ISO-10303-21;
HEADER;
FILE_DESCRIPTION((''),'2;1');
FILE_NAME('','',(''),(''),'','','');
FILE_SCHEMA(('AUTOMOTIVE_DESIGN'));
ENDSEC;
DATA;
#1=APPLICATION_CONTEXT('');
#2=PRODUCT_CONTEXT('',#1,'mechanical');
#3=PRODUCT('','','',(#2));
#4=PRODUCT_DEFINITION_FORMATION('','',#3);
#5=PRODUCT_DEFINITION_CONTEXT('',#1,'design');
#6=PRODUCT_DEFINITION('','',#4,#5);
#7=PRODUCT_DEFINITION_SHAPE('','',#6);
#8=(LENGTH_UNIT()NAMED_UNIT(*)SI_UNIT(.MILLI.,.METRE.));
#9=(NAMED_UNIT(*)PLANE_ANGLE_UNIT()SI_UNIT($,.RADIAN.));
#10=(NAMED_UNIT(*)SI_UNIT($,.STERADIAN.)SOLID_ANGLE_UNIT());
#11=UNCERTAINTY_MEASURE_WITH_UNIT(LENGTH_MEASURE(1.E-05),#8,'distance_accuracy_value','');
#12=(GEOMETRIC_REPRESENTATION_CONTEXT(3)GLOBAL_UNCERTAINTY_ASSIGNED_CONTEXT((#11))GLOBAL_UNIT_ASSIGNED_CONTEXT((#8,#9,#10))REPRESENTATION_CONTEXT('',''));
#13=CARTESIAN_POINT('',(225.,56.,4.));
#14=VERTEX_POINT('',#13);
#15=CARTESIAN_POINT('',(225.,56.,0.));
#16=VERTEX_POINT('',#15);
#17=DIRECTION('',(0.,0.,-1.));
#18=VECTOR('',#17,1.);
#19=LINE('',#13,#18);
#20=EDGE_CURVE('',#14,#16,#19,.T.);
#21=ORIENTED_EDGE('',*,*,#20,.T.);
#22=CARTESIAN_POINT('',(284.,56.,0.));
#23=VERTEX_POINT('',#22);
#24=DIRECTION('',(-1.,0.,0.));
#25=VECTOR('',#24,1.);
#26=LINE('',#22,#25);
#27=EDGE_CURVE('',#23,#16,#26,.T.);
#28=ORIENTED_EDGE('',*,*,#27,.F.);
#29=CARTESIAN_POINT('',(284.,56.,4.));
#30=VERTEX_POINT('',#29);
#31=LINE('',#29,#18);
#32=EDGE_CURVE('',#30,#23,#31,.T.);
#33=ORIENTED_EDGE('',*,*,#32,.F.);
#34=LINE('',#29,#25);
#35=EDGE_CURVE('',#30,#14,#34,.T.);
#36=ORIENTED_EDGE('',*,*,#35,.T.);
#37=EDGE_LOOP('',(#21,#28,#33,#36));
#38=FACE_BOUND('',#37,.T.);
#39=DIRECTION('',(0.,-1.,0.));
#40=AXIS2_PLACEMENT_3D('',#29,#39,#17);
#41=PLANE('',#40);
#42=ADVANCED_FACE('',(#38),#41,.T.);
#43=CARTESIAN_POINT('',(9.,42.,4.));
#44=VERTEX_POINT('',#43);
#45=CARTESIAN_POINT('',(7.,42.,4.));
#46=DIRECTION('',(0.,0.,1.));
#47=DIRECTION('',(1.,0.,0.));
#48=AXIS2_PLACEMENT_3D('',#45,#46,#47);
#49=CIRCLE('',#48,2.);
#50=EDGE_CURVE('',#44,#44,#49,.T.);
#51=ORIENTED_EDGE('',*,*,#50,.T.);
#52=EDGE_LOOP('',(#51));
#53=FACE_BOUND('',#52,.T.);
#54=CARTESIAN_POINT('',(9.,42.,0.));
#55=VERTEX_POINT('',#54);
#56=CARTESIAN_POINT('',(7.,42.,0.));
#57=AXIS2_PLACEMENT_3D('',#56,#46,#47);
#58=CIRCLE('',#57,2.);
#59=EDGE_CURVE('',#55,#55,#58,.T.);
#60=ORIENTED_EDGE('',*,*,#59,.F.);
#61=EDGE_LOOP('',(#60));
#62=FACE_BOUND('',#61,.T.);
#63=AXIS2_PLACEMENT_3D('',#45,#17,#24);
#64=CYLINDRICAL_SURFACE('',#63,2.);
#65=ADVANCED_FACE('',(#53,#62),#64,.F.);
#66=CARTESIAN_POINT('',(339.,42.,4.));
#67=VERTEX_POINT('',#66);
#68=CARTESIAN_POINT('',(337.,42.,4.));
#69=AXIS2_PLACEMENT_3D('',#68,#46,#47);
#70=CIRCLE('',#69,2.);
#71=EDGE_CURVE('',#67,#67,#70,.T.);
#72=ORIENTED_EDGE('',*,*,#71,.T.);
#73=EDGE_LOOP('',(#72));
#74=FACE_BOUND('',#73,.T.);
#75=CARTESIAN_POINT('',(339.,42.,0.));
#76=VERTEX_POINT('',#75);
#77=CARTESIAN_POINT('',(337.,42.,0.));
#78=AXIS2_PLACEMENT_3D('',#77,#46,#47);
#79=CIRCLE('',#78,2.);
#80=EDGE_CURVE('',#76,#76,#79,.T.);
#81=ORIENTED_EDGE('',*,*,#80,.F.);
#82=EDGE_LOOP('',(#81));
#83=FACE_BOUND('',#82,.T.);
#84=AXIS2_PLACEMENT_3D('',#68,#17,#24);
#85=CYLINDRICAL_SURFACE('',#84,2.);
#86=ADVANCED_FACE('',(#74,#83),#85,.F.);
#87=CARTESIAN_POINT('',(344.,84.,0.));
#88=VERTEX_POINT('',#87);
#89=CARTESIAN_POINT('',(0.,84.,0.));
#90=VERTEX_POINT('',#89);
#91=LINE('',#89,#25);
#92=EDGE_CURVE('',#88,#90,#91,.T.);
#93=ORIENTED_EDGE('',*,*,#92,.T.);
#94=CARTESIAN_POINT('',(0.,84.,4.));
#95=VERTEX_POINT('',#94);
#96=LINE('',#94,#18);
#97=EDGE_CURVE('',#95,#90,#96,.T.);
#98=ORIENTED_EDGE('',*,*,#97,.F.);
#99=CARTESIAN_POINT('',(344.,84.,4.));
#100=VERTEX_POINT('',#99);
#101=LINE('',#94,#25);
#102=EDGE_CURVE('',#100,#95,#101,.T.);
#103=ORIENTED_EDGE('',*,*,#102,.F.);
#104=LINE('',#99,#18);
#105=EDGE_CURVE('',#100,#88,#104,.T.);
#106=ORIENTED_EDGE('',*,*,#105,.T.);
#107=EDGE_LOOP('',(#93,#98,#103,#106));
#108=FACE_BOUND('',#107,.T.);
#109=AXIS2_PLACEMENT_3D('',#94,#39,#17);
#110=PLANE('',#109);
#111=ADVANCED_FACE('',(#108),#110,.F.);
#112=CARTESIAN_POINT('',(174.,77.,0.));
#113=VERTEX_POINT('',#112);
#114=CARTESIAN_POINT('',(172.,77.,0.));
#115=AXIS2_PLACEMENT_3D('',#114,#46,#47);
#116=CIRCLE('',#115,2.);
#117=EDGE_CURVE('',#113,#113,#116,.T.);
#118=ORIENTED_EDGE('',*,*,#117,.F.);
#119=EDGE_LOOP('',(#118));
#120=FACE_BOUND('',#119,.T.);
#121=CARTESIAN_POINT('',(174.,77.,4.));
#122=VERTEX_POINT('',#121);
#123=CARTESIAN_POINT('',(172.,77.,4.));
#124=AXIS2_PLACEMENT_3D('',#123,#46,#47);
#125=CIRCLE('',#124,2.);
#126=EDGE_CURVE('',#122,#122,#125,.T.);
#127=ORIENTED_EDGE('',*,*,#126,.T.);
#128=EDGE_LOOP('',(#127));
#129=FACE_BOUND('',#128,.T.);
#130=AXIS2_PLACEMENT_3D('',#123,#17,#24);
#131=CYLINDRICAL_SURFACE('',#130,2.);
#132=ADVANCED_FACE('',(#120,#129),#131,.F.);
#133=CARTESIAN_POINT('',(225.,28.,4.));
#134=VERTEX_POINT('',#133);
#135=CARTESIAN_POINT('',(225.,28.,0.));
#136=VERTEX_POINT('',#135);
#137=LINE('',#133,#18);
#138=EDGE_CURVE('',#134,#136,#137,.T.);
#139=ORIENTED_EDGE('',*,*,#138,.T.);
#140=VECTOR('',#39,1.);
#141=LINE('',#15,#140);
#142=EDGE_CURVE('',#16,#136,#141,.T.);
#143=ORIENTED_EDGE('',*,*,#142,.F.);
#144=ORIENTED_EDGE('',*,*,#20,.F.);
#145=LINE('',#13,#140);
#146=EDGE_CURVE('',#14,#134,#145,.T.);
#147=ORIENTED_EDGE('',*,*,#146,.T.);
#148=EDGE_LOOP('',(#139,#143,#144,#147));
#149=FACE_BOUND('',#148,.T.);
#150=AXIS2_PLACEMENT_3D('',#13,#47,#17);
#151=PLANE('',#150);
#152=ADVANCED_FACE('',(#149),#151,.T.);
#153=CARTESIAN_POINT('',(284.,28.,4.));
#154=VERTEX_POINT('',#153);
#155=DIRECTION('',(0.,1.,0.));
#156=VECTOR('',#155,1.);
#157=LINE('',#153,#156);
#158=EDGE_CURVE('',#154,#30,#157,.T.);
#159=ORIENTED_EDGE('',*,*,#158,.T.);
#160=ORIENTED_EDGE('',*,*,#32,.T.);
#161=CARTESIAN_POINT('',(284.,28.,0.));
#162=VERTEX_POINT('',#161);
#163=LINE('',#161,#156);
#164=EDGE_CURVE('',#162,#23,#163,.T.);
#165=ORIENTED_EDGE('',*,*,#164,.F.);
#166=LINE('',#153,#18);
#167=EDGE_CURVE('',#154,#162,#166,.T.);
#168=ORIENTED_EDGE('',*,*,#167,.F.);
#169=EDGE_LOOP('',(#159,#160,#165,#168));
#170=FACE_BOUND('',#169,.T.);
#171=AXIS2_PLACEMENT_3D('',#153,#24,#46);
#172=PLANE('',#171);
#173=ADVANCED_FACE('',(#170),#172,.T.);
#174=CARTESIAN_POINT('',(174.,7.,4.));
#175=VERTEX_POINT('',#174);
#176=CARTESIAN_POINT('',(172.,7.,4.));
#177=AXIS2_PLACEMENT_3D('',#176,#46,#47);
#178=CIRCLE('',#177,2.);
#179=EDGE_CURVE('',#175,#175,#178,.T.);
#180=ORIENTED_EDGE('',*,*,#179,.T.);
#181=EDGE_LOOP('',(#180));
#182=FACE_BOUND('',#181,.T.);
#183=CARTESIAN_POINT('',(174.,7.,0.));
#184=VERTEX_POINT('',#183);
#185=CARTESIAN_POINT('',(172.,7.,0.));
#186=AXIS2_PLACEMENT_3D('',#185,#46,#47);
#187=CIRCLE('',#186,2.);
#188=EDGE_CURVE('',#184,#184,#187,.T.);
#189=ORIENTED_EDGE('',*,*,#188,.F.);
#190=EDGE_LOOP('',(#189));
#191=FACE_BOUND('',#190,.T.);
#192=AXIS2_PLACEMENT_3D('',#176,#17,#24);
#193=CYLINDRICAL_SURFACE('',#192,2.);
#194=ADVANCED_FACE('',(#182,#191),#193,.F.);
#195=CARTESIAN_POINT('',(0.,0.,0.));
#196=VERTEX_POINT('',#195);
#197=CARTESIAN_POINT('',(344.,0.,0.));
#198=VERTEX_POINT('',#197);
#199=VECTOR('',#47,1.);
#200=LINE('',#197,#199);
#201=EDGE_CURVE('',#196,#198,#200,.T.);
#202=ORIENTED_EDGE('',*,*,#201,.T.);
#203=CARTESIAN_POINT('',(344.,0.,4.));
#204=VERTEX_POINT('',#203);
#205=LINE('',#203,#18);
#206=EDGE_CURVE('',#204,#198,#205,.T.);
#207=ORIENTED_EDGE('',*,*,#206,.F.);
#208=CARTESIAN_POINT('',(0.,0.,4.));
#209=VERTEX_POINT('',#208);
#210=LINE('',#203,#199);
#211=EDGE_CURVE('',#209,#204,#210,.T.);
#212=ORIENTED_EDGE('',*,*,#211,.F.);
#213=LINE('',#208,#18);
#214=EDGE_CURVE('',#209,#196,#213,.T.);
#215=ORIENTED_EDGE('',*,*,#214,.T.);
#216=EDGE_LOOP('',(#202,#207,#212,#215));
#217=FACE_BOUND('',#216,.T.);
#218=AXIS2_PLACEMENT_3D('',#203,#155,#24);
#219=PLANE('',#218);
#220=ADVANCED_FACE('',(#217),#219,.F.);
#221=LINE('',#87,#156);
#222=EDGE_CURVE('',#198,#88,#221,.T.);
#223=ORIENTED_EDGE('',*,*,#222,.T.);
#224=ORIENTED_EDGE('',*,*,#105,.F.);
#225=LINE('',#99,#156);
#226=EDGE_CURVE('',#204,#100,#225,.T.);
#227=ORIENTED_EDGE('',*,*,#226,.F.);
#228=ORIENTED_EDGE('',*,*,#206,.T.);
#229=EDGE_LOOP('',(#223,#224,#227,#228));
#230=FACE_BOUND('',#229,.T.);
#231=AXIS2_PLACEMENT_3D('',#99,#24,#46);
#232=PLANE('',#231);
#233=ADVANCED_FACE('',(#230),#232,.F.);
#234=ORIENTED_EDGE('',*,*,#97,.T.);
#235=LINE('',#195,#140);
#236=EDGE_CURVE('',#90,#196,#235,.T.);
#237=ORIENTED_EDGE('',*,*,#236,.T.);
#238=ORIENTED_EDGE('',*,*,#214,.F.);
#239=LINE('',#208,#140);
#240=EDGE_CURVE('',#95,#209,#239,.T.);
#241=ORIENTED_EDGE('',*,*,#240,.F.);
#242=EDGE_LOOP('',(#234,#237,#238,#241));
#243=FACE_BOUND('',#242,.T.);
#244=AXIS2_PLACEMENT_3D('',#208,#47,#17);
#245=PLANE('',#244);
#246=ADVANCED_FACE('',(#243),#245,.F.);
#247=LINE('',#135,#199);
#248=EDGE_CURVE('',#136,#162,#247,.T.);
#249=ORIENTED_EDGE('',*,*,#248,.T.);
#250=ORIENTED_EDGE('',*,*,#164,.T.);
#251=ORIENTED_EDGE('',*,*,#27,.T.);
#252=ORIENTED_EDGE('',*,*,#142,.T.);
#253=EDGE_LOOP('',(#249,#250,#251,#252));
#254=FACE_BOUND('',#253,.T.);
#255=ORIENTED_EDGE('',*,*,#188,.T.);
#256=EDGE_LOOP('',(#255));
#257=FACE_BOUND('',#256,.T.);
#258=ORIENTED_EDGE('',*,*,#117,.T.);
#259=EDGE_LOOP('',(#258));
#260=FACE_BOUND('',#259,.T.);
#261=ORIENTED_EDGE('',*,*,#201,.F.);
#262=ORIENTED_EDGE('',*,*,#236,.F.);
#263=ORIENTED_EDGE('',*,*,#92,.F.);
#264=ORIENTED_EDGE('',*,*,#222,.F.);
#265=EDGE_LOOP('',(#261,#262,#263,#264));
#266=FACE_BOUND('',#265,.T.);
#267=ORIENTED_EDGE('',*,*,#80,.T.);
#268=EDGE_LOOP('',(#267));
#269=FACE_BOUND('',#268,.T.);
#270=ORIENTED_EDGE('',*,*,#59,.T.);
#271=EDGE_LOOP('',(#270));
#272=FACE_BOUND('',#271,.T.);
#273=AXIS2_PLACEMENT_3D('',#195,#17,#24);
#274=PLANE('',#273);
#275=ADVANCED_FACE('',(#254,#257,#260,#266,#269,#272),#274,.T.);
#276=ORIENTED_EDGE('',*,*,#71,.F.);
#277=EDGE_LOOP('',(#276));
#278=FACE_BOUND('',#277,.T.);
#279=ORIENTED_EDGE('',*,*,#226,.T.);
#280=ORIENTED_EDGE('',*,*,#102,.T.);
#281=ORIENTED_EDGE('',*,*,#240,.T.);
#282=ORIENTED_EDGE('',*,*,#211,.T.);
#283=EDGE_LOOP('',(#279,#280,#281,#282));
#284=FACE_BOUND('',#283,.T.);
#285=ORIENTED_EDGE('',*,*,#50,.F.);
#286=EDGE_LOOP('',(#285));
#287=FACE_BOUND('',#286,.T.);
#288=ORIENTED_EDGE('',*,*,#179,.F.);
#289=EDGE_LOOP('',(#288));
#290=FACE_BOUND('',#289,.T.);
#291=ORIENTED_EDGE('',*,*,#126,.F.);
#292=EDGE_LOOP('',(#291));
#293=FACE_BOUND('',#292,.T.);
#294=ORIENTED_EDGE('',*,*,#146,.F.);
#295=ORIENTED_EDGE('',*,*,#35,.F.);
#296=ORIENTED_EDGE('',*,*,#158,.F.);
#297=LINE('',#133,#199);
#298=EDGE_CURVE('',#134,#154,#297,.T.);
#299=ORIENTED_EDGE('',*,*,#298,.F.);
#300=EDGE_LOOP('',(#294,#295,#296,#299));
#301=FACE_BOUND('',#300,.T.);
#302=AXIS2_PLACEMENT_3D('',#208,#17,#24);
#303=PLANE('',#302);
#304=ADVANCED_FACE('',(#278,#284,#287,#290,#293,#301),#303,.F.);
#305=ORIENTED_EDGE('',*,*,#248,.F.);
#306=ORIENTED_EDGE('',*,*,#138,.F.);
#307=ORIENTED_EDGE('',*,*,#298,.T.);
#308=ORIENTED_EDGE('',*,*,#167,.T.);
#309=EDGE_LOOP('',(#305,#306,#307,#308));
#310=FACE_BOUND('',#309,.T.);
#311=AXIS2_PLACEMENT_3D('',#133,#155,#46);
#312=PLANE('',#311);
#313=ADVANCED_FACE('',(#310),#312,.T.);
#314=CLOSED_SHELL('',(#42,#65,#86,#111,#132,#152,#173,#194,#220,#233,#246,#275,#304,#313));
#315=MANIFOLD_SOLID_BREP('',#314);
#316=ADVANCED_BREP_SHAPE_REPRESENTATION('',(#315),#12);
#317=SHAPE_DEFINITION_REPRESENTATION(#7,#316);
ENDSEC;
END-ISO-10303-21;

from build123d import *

# Parameters (mm, degrees)
SCHIZZO1_W                   = 344
SCHIZZO1_H                   = 84
SCHIZZO1_R                   = 2
SCHIZZO1_W_2                 = 59
SCHIZZO1_H_2                 = 28
ESTRUSIONE_ESTRUSIONE1_DEPTH = 4


with BuildPart() as part:
    # Schizzo1 → Estrusione-Estrusione1 (new body)
    with BuildSketch(Plane.XY):
        with Locations((172, 42)):
            Rectangle(SCHIZZO1_W, SCHIZZO1_H)
        with Locations((7, 42)):
            Circle(SCHIZZO1_R, mode=Mode.SUBTRACT)
        with Locations((172, 77)):
            Circle(SCHIZZO1_R, mode=Mode.SUBTRACT)
        with Locations((172, 7)):
            Circle(SCHIZZO1_R, mode=Mode.SUBTRACT)
        with Locations((337, 42)):
            Circle(SCHIZZO1_R, mode=Mode.SUBTRACT)
        with Locations((254.5, 42)):
            Rectangle(SCHIZZO1_W_2, SCHIZZO1_H_2, mode=Mode.SUBTRACT)
    extrude(amount=ESTRUSIONE_ESTRUSIONE1_DEPTH)


solid = part.part
